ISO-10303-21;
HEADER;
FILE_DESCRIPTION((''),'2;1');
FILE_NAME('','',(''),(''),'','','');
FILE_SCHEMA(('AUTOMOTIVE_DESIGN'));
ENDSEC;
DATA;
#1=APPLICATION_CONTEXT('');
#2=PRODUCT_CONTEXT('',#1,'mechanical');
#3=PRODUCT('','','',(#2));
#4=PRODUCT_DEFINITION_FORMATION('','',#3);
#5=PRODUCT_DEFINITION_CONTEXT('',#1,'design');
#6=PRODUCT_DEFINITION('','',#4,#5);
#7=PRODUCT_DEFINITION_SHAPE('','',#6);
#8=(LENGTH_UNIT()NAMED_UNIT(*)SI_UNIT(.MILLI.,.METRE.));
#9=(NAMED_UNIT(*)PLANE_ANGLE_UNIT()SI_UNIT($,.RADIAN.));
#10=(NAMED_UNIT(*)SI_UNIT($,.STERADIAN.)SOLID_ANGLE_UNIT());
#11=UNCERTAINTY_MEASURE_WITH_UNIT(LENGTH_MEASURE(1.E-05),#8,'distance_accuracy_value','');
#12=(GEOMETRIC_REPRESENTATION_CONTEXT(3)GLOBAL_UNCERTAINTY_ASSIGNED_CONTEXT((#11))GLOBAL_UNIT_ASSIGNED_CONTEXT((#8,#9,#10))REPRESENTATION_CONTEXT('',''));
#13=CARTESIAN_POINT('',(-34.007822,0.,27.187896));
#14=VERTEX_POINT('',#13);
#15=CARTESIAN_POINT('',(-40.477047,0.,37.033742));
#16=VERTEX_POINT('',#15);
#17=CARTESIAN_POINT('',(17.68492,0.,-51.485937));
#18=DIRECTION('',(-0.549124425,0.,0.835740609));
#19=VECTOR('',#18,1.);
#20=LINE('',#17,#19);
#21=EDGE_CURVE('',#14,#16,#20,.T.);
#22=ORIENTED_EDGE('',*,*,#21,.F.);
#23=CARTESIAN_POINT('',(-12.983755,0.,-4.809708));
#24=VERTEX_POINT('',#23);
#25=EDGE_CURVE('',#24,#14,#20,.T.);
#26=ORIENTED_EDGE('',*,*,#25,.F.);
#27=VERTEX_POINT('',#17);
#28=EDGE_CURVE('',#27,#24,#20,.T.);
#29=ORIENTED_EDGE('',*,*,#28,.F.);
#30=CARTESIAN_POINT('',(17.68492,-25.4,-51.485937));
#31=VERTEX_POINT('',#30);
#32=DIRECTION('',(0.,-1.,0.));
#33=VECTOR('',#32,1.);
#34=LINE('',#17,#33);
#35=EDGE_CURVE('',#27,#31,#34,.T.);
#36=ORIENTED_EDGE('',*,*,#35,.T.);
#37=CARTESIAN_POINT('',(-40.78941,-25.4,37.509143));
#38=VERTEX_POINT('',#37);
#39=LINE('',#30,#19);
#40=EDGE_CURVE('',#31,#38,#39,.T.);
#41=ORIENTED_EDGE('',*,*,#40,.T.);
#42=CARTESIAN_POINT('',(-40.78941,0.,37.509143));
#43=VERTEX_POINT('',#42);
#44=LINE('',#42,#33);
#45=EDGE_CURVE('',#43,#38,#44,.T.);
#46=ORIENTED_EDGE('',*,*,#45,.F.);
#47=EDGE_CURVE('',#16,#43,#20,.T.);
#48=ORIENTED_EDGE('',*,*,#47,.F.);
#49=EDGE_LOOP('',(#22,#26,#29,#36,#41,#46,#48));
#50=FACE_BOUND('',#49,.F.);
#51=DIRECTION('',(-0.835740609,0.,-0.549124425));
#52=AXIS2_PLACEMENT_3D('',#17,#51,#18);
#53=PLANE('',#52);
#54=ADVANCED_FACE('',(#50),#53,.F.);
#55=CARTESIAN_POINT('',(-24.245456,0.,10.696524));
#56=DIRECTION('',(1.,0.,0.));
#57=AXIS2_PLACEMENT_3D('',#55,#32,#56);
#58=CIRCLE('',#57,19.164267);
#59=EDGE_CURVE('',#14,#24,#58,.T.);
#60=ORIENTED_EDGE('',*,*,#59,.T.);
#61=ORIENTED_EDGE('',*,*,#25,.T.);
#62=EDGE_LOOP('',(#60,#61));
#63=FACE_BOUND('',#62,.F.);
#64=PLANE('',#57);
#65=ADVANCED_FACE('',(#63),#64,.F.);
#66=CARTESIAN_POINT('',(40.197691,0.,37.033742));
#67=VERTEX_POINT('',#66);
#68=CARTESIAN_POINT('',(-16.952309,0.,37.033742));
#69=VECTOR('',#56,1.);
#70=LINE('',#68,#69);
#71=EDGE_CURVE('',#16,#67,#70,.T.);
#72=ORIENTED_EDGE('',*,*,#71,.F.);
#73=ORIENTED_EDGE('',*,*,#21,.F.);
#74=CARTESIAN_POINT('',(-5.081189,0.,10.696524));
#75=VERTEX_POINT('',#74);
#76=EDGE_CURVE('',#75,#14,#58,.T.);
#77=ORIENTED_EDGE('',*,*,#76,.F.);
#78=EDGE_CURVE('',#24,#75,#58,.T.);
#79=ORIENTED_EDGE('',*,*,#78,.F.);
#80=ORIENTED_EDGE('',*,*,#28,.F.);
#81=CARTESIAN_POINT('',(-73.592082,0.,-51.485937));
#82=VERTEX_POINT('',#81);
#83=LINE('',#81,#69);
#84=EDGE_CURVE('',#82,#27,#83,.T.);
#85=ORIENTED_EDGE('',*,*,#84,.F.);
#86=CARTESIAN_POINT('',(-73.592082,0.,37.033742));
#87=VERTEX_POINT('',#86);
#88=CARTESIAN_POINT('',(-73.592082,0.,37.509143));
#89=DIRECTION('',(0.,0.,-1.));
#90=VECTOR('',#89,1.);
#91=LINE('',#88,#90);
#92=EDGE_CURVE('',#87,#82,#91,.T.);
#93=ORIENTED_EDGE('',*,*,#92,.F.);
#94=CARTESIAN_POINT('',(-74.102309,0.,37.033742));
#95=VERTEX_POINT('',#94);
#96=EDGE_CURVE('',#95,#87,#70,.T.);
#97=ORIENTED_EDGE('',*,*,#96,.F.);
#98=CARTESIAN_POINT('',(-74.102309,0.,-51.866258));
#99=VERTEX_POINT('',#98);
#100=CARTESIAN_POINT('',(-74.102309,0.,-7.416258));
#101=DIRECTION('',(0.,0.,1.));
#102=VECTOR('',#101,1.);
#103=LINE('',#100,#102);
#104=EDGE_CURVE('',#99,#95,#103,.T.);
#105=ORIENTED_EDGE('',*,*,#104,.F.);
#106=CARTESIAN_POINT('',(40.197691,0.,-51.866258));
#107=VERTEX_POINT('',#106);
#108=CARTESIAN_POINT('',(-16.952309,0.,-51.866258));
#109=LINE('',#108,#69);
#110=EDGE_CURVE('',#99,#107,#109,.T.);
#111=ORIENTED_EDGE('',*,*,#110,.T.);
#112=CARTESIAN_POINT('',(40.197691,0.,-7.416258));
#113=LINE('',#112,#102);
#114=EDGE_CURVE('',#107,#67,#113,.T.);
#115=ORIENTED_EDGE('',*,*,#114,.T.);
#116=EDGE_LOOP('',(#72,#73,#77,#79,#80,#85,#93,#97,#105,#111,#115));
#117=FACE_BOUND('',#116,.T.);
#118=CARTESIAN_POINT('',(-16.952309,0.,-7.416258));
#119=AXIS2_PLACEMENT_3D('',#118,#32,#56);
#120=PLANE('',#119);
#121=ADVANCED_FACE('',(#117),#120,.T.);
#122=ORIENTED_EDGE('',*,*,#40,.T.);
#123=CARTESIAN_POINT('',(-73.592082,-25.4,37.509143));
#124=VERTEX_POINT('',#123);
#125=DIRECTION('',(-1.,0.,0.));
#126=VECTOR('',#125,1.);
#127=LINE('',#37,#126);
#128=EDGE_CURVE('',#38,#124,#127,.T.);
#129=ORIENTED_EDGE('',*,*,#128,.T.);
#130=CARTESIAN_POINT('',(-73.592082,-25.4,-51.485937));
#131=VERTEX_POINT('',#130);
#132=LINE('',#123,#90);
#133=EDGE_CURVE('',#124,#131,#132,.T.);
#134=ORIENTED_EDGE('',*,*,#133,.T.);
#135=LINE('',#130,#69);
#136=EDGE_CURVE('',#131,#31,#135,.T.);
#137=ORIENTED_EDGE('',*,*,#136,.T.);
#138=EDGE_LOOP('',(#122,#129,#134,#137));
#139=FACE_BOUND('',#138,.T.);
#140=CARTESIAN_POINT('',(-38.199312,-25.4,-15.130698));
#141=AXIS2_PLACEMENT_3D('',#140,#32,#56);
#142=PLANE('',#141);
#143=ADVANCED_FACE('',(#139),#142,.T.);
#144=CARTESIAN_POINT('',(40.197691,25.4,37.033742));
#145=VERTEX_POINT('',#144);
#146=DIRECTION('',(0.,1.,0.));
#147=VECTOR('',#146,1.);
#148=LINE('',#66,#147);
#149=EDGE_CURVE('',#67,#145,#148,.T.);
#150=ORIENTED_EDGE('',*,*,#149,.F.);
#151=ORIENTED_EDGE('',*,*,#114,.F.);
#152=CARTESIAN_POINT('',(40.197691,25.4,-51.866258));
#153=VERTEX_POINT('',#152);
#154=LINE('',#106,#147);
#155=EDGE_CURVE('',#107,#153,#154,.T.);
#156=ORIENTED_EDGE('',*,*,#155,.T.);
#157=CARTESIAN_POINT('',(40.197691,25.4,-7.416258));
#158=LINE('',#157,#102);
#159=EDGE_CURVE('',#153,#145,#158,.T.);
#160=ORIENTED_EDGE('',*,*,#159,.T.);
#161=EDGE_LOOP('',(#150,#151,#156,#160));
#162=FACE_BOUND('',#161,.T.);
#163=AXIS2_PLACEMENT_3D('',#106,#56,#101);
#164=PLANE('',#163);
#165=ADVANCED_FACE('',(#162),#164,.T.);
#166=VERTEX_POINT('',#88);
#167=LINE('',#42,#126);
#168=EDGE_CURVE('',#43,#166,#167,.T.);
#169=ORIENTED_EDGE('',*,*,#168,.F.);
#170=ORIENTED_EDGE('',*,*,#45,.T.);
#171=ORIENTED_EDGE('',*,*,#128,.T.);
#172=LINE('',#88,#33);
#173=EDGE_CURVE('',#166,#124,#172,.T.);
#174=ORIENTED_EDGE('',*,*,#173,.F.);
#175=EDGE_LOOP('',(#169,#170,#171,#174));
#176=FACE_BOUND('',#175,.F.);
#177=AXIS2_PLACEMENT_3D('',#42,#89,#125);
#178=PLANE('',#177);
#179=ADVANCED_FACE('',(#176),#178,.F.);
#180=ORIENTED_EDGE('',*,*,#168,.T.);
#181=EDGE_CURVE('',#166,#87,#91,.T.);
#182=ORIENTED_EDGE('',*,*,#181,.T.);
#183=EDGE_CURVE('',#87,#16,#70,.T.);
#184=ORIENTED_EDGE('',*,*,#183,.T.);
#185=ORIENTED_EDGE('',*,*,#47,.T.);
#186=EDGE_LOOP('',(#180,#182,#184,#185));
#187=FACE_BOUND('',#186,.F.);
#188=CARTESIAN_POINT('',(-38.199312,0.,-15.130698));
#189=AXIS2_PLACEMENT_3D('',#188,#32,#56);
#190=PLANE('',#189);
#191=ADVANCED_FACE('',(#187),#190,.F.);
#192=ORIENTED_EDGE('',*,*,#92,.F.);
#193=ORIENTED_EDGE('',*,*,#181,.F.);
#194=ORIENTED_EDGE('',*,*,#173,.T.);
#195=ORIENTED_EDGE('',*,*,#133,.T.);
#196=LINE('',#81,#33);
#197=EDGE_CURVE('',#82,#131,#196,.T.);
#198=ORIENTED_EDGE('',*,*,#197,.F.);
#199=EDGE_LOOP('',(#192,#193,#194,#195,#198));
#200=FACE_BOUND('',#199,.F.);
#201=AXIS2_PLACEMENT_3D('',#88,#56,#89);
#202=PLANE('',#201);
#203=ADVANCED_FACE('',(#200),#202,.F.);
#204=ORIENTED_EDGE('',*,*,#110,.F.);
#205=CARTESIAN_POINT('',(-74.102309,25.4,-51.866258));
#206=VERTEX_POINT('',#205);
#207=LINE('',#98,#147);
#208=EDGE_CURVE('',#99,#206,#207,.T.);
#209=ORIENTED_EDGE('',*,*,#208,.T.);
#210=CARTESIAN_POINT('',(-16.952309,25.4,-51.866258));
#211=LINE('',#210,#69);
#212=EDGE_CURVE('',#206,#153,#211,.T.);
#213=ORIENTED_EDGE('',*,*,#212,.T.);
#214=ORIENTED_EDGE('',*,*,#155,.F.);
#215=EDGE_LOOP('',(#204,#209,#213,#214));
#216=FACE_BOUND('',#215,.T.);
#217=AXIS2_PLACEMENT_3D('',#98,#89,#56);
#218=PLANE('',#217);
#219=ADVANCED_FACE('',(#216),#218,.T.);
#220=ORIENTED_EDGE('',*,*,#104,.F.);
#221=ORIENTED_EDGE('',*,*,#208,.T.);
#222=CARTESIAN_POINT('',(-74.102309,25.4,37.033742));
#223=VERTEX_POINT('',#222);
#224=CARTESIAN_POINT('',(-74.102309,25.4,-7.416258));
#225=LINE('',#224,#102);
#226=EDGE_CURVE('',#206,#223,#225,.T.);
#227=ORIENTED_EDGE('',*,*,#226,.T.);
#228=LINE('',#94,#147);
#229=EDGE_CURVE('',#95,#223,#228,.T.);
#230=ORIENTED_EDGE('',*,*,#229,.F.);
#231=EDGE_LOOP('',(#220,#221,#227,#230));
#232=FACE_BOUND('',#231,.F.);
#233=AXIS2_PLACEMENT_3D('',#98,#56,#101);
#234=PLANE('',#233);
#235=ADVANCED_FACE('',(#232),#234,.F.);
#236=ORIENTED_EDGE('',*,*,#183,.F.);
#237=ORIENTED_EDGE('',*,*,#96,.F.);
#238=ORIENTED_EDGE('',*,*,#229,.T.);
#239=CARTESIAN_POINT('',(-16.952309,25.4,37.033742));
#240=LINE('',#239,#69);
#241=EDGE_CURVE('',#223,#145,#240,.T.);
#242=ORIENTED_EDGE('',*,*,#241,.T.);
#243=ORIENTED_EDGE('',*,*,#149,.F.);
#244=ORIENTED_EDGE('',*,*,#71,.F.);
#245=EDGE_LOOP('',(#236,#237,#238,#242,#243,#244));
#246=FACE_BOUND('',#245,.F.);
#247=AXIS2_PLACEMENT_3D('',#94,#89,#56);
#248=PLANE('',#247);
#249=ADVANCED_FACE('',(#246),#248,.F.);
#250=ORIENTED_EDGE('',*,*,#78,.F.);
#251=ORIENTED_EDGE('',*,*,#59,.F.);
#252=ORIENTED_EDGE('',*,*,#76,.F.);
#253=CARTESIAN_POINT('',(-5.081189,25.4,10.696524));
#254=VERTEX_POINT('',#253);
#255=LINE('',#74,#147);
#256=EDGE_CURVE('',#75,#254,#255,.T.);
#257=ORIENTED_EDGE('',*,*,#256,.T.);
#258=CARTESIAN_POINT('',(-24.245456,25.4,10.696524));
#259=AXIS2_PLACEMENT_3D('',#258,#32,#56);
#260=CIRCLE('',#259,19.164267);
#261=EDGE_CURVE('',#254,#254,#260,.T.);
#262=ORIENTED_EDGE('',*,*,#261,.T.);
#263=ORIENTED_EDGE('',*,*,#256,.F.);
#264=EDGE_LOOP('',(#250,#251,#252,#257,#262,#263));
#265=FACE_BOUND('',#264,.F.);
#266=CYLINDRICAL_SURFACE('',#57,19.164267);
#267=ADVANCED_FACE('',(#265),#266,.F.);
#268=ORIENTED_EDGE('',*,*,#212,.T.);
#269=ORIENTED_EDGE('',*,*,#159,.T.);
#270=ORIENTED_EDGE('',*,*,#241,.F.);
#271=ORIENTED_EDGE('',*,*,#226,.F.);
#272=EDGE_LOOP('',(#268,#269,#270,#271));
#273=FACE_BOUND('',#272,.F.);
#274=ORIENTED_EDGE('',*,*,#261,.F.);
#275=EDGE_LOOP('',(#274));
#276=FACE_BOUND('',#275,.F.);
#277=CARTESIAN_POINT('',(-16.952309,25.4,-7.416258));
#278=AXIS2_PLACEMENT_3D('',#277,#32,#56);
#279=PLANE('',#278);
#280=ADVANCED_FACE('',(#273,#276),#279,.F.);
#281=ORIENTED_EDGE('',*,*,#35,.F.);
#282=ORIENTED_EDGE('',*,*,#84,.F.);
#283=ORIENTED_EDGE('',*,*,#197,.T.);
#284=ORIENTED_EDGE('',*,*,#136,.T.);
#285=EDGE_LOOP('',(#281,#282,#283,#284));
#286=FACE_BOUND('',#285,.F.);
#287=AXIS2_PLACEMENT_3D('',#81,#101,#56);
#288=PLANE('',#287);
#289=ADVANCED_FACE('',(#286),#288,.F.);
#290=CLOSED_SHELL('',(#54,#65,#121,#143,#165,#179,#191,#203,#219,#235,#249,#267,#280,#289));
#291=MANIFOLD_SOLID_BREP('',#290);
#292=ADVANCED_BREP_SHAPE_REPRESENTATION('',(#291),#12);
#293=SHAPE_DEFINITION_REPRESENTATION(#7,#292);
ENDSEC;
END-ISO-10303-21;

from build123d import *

# Parameters (mm, degrees)
F0_W     = 114.3
F0_H     = 88.9
F1_DEPTH = 25.4
F3_DEPTH = 25.4
F4_R     = 19.164267
F5_DEPTH = 50.8


with BuildPart() as f1:
    # F0 (on Front) → F1 (new body)
    with BuildSketch(Plane.XZ):
        with Locations((-16.952309, -7.416258)):
            Rectangle(F0_W, F0_H)
    extrude(amount=-F1_DEPTH)

    # F2 (on Front) → F3 (join)
    with BuildSketch(Plane.XZ):
        Polygon((17.68492, -51.485937), (-40.78941, 37.509143), (-73.592082, 37.509143), (-73.592082, -51.485937), align=None)
    extrude(amount=F3_DEPTH)

    # F4 (on Front) → F5 (cut)
    with BuildSketch(Plane.XZ):
        with Locations((-24.245456, 10.696524)):
            Circle(F4_R)
    extrude(amount=-F5_DEPTH, mode=Mode.SUBTRACT)


solid = f1.part
